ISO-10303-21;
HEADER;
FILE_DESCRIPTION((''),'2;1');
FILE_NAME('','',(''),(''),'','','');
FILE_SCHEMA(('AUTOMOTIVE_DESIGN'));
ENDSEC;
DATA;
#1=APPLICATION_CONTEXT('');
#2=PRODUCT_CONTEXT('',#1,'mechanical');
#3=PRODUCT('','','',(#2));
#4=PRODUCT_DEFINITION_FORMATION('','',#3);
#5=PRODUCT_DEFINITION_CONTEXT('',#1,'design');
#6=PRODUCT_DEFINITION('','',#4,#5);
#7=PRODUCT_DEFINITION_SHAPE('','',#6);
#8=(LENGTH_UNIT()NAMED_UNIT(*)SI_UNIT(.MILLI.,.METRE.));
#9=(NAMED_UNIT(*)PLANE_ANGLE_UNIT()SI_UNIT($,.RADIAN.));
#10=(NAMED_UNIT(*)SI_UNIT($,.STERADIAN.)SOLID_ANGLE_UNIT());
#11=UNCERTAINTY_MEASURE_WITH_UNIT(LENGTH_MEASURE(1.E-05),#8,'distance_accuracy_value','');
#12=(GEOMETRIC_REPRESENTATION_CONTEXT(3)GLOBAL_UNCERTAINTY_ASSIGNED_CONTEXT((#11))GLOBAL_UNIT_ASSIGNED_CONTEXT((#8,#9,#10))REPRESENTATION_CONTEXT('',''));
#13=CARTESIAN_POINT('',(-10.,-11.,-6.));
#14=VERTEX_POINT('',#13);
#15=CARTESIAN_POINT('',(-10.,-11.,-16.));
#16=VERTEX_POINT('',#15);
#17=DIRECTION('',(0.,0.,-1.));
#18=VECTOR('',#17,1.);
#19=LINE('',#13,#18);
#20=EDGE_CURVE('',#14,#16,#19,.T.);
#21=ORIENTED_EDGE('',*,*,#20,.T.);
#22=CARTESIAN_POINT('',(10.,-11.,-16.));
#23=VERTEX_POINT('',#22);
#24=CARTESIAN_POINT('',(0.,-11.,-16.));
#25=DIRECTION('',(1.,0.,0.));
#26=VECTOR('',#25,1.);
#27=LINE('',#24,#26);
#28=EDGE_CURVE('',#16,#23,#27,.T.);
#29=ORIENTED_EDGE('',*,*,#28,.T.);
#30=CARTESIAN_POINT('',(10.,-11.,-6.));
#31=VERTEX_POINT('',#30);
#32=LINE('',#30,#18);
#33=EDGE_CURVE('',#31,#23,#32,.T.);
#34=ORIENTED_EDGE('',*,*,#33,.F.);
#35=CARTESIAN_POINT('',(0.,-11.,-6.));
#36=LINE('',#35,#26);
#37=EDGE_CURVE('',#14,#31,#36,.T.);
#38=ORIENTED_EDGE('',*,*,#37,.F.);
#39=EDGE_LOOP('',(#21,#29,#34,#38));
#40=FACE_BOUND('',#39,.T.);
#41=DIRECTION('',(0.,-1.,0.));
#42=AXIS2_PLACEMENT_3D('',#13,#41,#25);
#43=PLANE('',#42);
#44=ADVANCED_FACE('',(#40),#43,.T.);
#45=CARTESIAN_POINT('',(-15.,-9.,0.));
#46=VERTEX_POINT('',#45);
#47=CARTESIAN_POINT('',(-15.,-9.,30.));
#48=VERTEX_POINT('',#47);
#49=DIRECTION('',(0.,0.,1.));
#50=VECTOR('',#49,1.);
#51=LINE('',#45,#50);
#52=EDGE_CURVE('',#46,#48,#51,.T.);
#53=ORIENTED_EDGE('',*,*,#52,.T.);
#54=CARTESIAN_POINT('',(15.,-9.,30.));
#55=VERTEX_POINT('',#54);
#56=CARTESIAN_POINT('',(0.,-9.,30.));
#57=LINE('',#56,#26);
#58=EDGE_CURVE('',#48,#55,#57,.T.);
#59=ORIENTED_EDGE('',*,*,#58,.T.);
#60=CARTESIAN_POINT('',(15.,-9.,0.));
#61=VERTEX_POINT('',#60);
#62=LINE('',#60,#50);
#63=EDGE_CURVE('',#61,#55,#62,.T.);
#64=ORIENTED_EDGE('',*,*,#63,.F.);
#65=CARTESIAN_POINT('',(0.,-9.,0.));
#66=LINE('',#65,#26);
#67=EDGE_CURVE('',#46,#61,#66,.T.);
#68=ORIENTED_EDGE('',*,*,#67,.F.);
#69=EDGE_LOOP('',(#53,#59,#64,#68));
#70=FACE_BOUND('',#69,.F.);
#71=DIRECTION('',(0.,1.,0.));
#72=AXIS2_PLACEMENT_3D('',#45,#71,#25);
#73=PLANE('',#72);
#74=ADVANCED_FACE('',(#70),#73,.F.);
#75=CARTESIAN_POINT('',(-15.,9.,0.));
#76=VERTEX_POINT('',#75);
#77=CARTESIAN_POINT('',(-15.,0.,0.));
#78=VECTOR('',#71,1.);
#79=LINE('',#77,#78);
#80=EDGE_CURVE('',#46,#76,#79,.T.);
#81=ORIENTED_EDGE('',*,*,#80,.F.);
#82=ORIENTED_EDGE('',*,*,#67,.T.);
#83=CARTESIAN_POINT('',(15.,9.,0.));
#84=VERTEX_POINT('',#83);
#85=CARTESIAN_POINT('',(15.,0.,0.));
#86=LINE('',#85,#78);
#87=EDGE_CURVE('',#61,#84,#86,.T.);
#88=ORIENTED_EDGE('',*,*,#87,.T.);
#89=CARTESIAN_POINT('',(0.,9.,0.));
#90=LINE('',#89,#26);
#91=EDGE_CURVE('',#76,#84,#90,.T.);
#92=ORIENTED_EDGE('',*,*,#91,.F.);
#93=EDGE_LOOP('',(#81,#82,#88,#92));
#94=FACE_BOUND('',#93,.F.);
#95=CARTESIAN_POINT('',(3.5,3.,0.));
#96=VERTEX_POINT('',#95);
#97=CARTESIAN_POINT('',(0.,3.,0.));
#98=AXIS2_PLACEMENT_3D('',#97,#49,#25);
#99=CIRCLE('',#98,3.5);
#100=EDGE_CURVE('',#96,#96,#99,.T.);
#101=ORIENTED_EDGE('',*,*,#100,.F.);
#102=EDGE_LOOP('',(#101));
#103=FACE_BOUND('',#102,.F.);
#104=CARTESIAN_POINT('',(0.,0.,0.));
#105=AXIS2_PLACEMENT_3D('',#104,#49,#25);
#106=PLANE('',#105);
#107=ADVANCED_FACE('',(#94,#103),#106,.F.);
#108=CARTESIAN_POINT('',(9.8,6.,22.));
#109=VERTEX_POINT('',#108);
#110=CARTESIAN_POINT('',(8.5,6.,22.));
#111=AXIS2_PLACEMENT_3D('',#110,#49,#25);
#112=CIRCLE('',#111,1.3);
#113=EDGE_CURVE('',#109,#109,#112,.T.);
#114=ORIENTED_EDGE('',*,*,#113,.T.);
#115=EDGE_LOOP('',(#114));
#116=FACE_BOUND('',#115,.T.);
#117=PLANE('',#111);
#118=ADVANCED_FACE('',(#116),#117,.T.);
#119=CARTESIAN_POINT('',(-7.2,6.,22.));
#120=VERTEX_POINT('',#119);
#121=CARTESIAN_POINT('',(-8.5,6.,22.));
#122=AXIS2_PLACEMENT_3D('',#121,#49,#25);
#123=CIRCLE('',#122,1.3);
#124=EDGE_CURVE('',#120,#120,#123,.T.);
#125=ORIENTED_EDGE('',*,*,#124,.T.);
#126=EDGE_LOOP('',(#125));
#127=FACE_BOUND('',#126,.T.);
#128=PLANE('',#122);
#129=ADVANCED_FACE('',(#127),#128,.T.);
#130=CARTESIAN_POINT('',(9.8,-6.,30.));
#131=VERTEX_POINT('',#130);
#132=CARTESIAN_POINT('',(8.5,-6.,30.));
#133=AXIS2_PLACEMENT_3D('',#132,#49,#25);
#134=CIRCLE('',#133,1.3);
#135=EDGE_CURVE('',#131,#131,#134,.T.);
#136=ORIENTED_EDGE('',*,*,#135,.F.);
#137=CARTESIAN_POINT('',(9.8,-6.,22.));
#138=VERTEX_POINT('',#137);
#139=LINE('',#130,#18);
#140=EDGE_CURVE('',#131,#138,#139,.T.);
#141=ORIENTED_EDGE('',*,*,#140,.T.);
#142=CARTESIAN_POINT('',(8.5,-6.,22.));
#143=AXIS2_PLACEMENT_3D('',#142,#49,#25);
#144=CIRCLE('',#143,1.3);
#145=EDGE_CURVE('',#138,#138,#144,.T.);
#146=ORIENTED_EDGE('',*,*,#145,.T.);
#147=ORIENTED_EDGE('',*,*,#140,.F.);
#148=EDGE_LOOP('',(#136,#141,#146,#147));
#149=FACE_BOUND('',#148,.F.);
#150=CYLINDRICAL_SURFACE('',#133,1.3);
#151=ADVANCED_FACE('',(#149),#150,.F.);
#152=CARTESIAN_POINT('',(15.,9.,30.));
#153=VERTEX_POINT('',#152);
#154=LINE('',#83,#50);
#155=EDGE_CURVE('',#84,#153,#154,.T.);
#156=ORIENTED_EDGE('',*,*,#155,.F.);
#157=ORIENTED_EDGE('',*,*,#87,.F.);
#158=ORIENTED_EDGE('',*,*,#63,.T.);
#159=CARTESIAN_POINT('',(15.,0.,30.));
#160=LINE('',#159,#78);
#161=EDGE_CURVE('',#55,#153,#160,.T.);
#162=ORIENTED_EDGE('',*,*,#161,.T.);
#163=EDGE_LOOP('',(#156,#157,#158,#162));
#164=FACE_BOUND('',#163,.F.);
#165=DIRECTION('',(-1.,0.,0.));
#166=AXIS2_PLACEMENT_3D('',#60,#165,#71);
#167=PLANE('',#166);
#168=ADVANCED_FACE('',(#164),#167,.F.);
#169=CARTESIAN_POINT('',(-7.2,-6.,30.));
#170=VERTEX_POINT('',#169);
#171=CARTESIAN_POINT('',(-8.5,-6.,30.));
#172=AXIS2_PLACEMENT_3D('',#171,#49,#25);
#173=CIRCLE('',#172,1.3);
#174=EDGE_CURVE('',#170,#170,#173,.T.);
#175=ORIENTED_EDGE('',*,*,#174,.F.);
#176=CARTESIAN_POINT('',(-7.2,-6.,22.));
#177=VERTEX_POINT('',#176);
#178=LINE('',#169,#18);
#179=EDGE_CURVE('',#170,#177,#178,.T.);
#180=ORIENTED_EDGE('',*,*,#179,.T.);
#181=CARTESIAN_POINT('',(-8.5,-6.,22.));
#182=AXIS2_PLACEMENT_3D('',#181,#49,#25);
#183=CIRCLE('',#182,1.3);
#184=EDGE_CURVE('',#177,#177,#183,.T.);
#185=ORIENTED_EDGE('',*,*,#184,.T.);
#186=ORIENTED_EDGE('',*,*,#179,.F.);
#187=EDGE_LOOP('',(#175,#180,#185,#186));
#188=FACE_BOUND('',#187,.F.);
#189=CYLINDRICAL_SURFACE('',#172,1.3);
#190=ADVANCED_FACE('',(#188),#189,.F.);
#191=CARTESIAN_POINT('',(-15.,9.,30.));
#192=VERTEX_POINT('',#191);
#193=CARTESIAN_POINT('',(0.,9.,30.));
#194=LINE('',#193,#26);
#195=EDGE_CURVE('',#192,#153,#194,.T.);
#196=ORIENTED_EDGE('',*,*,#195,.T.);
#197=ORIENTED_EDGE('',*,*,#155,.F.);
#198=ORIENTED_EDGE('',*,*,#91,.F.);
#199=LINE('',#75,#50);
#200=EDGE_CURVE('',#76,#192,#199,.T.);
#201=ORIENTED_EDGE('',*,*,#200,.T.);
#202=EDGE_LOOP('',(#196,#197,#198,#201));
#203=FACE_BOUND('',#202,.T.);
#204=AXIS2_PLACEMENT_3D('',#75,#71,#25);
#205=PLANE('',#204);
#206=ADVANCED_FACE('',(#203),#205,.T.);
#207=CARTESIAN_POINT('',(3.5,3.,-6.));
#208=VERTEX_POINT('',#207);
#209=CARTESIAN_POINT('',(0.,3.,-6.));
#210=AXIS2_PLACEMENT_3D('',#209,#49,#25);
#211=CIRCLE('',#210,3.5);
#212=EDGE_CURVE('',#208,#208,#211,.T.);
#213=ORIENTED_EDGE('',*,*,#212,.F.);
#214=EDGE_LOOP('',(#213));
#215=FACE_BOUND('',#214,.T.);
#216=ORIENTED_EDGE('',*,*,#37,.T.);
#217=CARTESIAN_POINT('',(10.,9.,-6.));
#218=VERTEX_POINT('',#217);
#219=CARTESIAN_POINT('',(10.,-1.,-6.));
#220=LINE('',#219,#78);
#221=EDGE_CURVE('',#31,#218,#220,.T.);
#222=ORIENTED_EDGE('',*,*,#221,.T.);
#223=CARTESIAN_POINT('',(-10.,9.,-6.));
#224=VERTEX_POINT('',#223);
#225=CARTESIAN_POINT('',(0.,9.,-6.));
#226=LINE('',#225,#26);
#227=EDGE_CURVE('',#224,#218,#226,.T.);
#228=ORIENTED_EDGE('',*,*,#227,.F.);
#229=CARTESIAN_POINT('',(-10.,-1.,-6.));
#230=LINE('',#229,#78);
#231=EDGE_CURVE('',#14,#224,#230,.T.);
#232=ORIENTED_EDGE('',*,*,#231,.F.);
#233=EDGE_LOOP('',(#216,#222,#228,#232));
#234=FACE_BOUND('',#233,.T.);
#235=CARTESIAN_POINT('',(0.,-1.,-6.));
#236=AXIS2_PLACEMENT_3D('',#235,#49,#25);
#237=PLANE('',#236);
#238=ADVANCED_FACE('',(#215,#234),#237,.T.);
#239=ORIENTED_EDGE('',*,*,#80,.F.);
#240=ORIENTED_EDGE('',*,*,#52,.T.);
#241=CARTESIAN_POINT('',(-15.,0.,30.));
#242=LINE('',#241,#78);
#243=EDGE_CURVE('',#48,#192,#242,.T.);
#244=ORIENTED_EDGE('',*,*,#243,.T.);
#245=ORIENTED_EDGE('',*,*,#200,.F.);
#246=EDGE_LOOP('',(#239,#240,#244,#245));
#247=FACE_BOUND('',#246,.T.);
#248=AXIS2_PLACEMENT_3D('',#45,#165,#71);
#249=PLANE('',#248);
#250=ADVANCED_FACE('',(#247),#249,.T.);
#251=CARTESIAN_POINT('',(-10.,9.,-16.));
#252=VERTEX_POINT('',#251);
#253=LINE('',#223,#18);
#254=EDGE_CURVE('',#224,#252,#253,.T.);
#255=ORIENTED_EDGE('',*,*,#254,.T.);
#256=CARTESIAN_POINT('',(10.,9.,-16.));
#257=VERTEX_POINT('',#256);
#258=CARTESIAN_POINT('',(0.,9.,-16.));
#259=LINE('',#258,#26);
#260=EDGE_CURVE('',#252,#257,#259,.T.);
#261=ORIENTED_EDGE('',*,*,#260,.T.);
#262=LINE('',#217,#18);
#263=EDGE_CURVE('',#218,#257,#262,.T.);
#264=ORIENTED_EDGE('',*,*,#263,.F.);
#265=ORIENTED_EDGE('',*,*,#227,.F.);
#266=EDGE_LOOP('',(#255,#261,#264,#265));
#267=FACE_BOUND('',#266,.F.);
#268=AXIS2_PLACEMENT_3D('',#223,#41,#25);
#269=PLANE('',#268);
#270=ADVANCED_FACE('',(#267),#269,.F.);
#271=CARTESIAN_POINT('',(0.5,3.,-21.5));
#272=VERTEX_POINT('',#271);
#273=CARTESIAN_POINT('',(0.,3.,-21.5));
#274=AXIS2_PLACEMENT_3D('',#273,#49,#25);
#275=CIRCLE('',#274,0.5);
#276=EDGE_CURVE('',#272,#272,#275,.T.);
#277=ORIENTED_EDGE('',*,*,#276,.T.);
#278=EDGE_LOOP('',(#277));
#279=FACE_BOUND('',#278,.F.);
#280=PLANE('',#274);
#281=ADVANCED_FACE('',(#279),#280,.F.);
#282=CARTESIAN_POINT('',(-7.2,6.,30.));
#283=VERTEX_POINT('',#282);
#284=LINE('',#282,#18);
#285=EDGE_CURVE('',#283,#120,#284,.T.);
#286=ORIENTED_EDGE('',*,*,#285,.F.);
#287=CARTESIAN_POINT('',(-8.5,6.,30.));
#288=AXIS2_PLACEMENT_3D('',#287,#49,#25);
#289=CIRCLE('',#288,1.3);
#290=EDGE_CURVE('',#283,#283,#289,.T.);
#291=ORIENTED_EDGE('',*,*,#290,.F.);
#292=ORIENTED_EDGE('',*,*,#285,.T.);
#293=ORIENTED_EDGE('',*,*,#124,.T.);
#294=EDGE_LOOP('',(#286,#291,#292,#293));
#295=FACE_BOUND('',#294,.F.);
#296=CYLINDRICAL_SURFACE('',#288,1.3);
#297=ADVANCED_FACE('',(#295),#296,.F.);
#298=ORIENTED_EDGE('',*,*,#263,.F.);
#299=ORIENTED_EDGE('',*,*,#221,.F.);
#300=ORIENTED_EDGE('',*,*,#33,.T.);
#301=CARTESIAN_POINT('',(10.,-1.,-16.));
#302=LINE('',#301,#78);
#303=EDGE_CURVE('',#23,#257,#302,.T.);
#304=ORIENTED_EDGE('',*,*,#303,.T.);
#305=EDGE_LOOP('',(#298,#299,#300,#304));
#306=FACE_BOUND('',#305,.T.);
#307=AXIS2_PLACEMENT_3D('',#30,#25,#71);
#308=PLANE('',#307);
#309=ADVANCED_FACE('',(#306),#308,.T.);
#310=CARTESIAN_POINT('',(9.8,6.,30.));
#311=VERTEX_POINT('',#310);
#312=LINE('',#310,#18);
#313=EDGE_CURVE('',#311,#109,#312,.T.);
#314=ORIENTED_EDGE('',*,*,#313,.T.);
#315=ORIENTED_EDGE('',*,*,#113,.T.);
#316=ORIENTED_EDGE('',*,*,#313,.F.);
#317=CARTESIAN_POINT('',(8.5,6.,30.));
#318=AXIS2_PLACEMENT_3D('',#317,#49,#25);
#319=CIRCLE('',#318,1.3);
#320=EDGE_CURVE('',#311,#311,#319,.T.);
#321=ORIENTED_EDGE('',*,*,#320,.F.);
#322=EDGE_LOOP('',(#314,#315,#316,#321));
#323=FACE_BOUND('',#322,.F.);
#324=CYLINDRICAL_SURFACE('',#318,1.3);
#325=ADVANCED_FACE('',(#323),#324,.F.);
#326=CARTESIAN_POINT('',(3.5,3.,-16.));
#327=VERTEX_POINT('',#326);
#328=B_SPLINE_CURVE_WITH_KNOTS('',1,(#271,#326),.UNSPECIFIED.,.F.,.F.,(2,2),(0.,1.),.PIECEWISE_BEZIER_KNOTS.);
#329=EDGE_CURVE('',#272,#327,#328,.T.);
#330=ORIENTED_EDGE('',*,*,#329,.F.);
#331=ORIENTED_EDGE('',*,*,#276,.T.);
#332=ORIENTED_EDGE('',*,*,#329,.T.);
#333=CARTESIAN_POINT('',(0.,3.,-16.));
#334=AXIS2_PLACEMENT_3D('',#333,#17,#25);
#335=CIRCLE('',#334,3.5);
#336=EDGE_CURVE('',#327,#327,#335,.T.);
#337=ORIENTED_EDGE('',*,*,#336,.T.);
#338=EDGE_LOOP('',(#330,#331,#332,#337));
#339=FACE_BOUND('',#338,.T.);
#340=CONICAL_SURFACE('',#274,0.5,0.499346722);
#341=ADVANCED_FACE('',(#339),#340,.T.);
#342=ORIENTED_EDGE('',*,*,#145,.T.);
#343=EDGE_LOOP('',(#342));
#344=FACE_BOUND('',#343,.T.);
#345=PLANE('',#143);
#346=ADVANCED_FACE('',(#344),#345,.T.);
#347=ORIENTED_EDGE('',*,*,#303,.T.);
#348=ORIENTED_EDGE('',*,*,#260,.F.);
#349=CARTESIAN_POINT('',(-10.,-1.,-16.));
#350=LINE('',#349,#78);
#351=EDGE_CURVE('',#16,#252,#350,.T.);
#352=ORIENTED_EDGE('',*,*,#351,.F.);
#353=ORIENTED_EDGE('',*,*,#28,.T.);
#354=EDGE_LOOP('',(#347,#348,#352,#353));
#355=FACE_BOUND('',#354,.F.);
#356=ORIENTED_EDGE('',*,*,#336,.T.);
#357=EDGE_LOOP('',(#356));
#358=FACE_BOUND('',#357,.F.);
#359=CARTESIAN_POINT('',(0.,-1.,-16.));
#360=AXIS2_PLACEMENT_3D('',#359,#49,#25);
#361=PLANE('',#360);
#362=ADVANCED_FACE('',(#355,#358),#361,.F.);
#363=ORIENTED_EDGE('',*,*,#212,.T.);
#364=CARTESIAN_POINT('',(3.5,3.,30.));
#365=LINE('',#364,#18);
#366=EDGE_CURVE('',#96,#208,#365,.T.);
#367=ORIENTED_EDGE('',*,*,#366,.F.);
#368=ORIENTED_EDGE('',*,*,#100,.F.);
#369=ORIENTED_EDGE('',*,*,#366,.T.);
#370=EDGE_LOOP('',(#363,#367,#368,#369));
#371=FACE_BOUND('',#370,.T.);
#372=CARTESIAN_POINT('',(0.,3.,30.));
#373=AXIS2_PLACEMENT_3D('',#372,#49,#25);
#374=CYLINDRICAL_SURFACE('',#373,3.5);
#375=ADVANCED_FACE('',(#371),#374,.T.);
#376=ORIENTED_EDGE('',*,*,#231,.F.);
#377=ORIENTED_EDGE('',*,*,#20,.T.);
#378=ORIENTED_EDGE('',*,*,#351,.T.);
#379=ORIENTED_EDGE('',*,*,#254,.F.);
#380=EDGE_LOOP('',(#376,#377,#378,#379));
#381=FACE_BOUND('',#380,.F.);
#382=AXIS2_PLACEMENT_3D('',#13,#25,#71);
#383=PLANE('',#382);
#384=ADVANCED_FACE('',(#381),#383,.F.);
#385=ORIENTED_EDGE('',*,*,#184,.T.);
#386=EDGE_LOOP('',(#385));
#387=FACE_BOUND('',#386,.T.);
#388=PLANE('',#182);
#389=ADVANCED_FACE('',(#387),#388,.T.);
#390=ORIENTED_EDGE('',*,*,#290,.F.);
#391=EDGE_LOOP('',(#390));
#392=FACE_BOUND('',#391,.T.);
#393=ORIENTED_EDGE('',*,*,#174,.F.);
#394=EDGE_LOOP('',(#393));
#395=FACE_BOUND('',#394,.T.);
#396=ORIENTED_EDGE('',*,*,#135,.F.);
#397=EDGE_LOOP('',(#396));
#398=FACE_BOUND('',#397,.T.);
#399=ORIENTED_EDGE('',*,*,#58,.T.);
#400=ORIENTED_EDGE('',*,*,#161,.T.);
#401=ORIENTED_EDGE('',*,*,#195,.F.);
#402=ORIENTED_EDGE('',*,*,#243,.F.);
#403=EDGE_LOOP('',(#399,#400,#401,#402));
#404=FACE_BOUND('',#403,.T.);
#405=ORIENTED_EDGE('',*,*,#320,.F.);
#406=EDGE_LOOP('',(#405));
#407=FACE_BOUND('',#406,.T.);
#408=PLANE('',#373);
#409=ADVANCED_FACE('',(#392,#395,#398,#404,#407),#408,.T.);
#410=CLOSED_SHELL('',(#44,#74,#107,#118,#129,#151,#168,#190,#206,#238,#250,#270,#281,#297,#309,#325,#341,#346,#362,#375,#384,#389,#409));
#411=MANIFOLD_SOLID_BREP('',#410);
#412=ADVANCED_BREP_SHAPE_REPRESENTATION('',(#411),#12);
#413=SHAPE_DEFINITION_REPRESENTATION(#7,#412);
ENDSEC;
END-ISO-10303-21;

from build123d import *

# Parameters (mm, degrees)
F0_W      = 30
F0_H      = 18
F1_DEPTH  = 30
F3_W      = 20
F3_H      = 20
F5_DEPTH  = 10
F4_R      = 3.5
F6_DEPTH  = 46
F9_R      = 0.5
F7_R      = 3.5
F11_R     = 1.3
F12_DEPTH = 8


with BuildPart() as f1:
    # F0 (on Top) → F1 (new body)
    with BuildSketch(Plane.XY):
        Rectangle(F0_W, F0_H)
    extrude(amount=F1_DEPTH)



with BuildPart() as f5:
    # F3 (on offset) → F5 (new body)
    with BuildSketch(Plane.XY.offset(-6)):
        with Locations((0, -1)):
            Rectangle(F3_W, F3_H)
    extrude(amount=-F5_DEPTH)


with BuildPart() as f1_1:
    add(f1.part)

    add(f5.part)  # F6 merges F5
    # F4 (on face) → F6 (join, through all)
    with BuildSketch(Plane.XY.offset(30)):
        with Locations((0, 3)):
            Circle(F4_R)
    extrude(amount=-F6_DEPTH)

    # F9 (on offset) → F10 section 0
    with BuildSketch(Plane.XY.offset(-21.5)):
        with Locations((0, 3)):
            Circle(F9_R)
    # F7 (on face) → F10 section 1
    with BuildSketch(Plane(origin=(0, 0, -16), x_dir=(1, 0, 0), z_dir=(0, 0, -1))):
        with Locations((0, -3)):
            Circle(F7_R)
    loft()

    # F11 (on face) → F12 (cut)
    with BuildSketch(Plane.XY.offset(30)):
        with Locations((-8.5, 6)):
            Circle(F11_R)
        with Locations((8.5, 6)):
            Circle(F11_R)
        with Locations((8.5, -6)):
            Circle(F11_R)
        with Locations((-8.5, -6)):
            Circle(F11_R)
    extrude(amount=-F12_DEPTH, mode=Mode.SUBTRACT)


solid = f1_1.part
